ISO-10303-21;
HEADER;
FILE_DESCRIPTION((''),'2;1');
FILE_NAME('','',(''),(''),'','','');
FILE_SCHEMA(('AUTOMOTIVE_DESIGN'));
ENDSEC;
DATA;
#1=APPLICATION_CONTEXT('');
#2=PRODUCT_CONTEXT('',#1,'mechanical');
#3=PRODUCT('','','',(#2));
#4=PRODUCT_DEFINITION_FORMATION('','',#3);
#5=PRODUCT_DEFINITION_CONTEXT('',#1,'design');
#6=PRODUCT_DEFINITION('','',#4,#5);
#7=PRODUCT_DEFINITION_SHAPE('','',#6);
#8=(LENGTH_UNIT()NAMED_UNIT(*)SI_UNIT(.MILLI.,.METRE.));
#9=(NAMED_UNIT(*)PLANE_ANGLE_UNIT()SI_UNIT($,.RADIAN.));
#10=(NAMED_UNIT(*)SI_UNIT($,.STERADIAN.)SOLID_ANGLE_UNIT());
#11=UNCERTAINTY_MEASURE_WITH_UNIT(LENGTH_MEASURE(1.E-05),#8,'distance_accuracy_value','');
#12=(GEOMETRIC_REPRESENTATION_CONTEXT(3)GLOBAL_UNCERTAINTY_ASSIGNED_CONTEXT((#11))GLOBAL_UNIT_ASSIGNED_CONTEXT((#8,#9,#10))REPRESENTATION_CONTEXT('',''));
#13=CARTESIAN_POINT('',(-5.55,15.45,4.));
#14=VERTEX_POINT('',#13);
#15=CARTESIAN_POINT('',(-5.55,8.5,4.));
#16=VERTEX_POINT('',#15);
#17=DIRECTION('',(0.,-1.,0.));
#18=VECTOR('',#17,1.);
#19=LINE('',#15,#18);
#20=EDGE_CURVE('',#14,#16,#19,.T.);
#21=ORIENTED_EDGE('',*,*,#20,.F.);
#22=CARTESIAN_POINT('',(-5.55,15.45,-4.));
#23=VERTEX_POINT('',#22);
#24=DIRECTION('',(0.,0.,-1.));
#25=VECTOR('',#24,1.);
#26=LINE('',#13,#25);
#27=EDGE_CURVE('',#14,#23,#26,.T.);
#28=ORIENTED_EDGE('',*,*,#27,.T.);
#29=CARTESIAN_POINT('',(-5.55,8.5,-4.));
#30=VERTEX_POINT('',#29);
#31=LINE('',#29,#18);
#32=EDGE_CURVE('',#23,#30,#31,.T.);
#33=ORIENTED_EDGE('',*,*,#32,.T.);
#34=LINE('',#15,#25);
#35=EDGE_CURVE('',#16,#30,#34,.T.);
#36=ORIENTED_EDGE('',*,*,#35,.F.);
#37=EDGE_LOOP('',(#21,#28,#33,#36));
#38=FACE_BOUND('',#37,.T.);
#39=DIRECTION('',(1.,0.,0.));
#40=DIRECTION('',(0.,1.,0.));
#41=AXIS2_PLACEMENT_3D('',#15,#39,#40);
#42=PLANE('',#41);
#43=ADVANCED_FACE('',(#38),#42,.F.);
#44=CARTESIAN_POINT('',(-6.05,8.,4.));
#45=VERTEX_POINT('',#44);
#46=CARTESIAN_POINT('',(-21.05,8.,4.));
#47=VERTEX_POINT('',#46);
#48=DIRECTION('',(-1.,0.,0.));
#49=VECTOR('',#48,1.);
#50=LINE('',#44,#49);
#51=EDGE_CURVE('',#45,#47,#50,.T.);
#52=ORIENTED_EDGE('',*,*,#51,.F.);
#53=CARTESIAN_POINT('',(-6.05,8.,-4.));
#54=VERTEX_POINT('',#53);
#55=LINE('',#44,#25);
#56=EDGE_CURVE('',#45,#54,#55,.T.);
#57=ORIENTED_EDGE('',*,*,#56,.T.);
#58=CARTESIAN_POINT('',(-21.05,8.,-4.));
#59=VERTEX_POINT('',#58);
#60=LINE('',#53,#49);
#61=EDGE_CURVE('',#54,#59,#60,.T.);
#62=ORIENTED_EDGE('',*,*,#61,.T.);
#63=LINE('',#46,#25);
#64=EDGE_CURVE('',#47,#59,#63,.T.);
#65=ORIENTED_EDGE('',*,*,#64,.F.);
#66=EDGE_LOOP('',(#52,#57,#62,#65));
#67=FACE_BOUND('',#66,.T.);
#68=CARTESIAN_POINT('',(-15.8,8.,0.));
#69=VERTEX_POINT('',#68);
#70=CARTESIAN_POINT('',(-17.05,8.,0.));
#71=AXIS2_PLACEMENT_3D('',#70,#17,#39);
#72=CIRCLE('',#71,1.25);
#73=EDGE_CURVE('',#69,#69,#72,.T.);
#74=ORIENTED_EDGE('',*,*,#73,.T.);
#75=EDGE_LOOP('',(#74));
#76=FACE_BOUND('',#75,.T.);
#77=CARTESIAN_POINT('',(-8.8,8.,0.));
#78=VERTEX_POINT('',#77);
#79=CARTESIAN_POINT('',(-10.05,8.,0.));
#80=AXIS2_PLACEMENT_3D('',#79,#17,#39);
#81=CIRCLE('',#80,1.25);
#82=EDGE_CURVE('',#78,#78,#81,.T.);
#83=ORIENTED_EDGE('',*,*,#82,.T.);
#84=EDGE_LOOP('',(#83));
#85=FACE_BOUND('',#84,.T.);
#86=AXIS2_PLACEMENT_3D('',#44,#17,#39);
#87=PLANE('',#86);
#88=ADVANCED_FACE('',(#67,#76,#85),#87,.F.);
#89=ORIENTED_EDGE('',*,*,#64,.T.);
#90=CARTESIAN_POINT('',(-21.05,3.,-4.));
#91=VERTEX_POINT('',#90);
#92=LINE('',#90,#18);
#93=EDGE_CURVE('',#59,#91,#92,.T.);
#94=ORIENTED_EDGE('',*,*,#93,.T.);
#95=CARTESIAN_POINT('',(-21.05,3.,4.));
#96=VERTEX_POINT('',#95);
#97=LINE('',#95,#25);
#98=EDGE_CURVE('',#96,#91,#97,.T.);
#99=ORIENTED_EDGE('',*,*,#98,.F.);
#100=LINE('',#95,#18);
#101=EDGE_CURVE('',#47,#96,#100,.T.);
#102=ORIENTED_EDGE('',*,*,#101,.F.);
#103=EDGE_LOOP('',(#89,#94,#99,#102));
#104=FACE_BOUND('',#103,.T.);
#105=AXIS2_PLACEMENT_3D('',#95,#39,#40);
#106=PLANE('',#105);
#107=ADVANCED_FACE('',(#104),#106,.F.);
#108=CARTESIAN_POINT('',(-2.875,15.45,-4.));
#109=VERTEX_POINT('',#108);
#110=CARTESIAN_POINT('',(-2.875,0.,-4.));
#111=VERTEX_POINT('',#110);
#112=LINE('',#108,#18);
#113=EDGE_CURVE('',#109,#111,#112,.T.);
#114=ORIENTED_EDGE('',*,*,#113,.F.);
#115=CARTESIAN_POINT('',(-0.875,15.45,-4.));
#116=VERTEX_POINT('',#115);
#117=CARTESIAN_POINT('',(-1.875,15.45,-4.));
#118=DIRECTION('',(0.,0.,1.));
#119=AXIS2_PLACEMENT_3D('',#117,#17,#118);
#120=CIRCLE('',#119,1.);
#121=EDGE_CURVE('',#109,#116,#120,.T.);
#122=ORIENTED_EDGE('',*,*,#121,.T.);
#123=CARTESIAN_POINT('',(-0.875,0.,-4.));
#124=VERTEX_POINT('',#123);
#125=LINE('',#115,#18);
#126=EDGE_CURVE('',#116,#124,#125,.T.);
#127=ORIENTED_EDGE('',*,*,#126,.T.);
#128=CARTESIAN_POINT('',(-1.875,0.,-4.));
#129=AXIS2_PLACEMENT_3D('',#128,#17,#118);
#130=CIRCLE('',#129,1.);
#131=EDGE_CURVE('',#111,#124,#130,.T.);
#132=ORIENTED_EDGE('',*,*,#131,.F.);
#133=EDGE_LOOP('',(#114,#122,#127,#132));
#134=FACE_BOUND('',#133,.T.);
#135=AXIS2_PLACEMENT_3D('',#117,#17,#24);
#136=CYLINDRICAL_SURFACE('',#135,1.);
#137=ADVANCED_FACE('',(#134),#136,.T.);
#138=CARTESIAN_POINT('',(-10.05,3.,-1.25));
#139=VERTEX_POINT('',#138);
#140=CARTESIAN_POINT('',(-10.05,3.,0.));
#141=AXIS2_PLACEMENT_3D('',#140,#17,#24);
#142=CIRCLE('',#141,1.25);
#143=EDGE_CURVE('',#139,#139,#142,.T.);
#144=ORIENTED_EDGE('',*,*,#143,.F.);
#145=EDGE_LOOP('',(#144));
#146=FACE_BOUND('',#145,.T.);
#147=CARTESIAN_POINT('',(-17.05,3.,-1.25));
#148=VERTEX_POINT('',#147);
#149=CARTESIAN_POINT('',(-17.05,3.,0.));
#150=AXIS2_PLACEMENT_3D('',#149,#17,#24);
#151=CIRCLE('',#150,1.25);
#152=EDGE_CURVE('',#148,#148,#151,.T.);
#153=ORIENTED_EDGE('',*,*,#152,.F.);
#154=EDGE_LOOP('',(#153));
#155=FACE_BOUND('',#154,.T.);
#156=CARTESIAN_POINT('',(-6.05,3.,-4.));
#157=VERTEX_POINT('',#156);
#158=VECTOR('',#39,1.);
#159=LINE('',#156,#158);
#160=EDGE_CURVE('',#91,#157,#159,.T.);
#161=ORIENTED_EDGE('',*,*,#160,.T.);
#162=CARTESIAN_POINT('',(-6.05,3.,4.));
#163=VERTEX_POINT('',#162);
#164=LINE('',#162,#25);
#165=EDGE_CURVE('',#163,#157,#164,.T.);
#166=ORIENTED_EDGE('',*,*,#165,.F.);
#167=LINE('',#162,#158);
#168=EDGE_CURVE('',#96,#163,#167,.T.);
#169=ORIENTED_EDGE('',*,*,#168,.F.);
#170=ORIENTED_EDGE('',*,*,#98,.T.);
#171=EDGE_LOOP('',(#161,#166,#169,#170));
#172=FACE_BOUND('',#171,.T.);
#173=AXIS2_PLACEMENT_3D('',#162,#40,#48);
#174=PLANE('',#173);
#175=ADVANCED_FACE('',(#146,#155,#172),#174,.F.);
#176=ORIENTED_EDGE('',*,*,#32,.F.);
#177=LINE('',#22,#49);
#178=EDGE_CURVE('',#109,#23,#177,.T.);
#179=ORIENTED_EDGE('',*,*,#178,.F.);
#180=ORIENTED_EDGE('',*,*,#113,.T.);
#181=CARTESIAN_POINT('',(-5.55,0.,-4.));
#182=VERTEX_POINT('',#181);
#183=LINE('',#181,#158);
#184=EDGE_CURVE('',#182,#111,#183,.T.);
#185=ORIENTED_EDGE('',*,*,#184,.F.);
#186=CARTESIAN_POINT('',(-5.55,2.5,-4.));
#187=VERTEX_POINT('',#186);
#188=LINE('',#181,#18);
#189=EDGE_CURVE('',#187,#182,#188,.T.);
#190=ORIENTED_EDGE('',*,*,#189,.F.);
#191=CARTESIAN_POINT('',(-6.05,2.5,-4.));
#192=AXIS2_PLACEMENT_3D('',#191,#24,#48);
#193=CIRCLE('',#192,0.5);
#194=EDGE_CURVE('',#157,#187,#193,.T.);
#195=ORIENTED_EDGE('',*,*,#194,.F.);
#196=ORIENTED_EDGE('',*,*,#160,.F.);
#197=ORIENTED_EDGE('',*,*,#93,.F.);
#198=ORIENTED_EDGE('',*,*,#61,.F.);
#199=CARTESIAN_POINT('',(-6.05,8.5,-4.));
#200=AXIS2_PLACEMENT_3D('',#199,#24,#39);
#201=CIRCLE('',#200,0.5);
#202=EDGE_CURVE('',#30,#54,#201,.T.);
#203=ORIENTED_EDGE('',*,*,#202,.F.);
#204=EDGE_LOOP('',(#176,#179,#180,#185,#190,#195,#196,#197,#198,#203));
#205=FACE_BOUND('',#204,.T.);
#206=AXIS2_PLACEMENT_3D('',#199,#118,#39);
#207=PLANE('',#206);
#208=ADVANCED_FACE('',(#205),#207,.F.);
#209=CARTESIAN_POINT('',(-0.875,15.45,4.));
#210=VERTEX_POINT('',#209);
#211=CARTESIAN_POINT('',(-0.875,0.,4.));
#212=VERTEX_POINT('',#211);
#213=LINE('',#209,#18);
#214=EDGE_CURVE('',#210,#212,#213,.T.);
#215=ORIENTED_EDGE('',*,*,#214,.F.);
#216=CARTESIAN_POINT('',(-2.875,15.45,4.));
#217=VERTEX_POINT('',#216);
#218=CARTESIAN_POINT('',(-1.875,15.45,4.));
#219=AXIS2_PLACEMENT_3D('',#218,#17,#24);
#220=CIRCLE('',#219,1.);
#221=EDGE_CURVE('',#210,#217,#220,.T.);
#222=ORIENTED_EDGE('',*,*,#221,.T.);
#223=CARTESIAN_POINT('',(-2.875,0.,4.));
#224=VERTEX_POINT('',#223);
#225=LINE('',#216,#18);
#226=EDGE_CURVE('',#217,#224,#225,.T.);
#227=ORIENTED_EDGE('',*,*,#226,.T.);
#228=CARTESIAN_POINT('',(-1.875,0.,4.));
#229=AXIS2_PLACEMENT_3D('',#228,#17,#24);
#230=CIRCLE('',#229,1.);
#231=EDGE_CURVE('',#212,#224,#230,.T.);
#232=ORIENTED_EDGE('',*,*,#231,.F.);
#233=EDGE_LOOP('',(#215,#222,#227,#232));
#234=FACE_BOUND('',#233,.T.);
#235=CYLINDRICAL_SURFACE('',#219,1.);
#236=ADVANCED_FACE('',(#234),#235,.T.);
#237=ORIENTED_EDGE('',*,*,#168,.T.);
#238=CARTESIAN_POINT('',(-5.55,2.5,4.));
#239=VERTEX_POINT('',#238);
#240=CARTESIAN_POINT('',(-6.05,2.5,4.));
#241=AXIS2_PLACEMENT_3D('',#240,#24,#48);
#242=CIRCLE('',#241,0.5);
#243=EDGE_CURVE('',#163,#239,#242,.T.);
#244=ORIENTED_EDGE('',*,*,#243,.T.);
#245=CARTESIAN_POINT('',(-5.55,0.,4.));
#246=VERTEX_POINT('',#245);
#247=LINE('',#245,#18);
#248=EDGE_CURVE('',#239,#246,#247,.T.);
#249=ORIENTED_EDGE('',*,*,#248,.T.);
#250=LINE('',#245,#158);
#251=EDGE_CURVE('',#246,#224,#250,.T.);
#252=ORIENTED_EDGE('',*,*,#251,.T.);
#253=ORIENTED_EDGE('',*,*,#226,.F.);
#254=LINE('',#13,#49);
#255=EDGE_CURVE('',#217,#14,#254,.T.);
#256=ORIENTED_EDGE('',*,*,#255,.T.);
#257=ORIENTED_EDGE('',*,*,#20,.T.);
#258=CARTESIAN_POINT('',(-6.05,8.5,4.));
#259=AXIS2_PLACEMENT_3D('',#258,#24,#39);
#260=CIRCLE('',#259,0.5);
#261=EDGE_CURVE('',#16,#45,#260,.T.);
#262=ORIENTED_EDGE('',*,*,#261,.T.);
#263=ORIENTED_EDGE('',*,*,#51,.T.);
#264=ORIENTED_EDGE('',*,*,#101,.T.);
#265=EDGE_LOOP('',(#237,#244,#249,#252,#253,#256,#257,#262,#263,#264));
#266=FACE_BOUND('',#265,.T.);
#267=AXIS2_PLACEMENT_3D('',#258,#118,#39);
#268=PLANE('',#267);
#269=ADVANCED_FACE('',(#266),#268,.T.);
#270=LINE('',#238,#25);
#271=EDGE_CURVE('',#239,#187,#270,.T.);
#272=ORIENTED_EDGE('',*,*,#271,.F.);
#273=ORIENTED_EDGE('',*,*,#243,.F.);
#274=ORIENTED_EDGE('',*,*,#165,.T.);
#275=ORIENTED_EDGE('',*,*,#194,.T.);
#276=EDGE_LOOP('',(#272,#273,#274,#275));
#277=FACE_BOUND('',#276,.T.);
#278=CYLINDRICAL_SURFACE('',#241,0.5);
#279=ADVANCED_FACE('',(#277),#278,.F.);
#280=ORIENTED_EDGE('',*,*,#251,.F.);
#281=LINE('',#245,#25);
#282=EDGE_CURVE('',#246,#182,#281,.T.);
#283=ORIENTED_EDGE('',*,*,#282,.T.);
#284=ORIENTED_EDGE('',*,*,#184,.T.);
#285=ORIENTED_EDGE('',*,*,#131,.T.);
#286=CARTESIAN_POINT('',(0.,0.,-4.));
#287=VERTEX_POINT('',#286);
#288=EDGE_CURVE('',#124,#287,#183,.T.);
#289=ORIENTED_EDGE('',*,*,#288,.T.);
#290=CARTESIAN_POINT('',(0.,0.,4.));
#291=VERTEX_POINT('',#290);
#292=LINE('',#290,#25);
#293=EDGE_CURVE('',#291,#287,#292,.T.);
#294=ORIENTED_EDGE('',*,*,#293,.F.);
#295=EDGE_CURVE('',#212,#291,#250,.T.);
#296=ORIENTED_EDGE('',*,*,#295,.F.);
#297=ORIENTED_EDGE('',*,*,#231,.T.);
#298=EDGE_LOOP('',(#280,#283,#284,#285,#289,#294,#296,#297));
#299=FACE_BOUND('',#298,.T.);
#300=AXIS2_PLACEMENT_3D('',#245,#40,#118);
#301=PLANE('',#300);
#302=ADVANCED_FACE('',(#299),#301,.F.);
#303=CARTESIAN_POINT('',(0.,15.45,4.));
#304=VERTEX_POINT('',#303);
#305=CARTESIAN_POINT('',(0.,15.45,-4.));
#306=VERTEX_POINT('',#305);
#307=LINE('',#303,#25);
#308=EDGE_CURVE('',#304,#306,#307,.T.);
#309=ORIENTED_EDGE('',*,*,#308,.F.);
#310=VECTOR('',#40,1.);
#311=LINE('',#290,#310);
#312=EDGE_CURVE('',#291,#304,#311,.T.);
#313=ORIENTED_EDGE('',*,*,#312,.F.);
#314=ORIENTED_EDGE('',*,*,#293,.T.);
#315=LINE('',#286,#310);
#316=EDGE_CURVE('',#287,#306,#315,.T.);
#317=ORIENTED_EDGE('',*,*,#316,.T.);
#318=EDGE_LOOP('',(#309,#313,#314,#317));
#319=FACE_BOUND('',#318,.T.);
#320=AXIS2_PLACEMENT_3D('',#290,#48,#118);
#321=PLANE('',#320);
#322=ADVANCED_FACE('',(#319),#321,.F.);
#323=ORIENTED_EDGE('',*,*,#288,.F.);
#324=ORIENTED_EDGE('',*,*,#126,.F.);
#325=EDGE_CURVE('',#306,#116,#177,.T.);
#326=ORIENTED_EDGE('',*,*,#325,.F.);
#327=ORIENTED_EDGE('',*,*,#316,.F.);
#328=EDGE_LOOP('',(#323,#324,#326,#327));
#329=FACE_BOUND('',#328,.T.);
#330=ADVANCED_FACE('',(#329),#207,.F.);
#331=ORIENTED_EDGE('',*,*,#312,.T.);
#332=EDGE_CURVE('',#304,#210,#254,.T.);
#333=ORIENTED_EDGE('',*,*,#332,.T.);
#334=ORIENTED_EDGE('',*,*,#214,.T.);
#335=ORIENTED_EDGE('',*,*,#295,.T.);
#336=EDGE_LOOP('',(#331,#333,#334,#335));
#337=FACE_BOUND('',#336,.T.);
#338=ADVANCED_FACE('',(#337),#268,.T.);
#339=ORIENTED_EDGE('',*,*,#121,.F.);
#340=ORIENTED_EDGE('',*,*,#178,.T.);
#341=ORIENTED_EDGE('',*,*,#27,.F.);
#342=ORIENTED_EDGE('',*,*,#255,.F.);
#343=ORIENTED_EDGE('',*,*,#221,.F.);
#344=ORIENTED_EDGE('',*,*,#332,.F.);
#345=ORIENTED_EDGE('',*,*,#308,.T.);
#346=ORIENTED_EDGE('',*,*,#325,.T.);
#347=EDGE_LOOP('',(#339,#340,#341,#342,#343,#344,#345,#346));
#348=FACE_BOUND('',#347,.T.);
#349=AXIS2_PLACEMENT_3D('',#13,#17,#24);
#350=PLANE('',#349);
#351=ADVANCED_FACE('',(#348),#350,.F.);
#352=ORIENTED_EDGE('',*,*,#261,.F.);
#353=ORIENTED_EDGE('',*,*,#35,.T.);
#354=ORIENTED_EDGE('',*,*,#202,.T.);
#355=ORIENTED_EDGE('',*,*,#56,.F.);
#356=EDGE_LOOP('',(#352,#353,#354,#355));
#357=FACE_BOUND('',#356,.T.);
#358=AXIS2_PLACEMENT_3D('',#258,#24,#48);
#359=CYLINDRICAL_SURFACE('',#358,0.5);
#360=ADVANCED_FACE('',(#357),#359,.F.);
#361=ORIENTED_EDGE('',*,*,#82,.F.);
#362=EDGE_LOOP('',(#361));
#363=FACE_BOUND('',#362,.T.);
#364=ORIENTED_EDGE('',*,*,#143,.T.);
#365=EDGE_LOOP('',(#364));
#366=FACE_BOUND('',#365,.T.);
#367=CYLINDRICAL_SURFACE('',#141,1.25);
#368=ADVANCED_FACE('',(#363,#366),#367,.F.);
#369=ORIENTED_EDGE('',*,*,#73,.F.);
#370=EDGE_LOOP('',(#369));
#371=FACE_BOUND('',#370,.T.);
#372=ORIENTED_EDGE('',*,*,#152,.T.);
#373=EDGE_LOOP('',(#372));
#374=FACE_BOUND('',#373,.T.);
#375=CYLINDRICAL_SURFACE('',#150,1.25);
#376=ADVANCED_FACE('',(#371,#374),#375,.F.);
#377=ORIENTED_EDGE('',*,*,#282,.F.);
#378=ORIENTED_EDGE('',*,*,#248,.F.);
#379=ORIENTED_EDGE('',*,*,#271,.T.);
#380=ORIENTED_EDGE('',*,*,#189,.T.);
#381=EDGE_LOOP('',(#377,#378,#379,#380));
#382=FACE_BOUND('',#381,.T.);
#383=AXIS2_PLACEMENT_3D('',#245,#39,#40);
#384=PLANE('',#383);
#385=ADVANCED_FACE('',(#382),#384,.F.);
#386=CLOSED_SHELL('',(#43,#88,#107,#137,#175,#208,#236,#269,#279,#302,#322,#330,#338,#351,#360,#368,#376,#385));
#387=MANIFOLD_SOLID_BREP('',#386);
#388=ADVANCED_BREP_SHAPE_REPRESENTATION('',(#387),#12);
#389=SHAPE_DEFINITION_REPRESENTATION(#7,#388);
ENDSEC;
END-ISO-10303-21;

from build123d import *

# Parameters (mm, degrees)
BOSS_EXTRUDE3_DEPTH   = 4
BOSS_EXTRUDE4_DEPTH   = 15.45
M3X0_5_TAPPED_HOLE1_D = 2.5


with BuildPart() as part:
    # Sketch1 → Boss-Extrude3 (new, symmetric)
    with BuildSketch(Plane.XY):
        with BuildLine():
            Line((0, 0), (0, 15.45))
            Line((0, 15.45), (-5.55, 15.45))
            Line((-5.55, 15.45), (-5.55, 8.5))
            ThreePointArc((-5.55, 8.5), (-5.696446609, 8.146446609), (-6.05, 8))
            Line((-6.05, 8), (-21.05, 8))
            Line((-21.05, 8), (-21.05, 3))
            Line((-21.05, 3), (-6.05, 3))
            ThreePointArc((-6.05, 3), (-5.696446609, 2.853553391), (-5.55, 2.5))
            Line((-5.55, 2.5), (-5.55, 0))
            Line((-5.55, 0), (0, 0))
        make_face()
    extrude(amount=BOSS_EXTRUDE3_DEPTH, both=True)

    # Sketch2 → Boss-Extrude4 (add)
    with BuildSketch(Plane.XZ):
        with BuildLine():
            Line((-0.875, 4), (-2.875, 4))
            ThreePointArc((-2.875, 4), (-1.875, 5), (-0.875, 4))
        make_face()
        with BuildLine():
            Line((-0.875, -4), (-2.875, -4))
            ThreePointArc((-2.875, -4), (-1.875, -5), (-0.875, -4))
        make_face()
    extrude(amount=-BOSS_EXTRUDE4_DEPTH)

    # M3x0.5 Tapped Hole1 (through all)
    with Locations(Plane(origin=(0, 3, 0), x_dir=(-1, 0, 0), z_dir=(0, -1, 0))):
        with Locations((17.05, 0), (10.05, 0)):
            Hole(M3X0_5_TAPPED_HOLE1_D / 2)


solid = part.part
